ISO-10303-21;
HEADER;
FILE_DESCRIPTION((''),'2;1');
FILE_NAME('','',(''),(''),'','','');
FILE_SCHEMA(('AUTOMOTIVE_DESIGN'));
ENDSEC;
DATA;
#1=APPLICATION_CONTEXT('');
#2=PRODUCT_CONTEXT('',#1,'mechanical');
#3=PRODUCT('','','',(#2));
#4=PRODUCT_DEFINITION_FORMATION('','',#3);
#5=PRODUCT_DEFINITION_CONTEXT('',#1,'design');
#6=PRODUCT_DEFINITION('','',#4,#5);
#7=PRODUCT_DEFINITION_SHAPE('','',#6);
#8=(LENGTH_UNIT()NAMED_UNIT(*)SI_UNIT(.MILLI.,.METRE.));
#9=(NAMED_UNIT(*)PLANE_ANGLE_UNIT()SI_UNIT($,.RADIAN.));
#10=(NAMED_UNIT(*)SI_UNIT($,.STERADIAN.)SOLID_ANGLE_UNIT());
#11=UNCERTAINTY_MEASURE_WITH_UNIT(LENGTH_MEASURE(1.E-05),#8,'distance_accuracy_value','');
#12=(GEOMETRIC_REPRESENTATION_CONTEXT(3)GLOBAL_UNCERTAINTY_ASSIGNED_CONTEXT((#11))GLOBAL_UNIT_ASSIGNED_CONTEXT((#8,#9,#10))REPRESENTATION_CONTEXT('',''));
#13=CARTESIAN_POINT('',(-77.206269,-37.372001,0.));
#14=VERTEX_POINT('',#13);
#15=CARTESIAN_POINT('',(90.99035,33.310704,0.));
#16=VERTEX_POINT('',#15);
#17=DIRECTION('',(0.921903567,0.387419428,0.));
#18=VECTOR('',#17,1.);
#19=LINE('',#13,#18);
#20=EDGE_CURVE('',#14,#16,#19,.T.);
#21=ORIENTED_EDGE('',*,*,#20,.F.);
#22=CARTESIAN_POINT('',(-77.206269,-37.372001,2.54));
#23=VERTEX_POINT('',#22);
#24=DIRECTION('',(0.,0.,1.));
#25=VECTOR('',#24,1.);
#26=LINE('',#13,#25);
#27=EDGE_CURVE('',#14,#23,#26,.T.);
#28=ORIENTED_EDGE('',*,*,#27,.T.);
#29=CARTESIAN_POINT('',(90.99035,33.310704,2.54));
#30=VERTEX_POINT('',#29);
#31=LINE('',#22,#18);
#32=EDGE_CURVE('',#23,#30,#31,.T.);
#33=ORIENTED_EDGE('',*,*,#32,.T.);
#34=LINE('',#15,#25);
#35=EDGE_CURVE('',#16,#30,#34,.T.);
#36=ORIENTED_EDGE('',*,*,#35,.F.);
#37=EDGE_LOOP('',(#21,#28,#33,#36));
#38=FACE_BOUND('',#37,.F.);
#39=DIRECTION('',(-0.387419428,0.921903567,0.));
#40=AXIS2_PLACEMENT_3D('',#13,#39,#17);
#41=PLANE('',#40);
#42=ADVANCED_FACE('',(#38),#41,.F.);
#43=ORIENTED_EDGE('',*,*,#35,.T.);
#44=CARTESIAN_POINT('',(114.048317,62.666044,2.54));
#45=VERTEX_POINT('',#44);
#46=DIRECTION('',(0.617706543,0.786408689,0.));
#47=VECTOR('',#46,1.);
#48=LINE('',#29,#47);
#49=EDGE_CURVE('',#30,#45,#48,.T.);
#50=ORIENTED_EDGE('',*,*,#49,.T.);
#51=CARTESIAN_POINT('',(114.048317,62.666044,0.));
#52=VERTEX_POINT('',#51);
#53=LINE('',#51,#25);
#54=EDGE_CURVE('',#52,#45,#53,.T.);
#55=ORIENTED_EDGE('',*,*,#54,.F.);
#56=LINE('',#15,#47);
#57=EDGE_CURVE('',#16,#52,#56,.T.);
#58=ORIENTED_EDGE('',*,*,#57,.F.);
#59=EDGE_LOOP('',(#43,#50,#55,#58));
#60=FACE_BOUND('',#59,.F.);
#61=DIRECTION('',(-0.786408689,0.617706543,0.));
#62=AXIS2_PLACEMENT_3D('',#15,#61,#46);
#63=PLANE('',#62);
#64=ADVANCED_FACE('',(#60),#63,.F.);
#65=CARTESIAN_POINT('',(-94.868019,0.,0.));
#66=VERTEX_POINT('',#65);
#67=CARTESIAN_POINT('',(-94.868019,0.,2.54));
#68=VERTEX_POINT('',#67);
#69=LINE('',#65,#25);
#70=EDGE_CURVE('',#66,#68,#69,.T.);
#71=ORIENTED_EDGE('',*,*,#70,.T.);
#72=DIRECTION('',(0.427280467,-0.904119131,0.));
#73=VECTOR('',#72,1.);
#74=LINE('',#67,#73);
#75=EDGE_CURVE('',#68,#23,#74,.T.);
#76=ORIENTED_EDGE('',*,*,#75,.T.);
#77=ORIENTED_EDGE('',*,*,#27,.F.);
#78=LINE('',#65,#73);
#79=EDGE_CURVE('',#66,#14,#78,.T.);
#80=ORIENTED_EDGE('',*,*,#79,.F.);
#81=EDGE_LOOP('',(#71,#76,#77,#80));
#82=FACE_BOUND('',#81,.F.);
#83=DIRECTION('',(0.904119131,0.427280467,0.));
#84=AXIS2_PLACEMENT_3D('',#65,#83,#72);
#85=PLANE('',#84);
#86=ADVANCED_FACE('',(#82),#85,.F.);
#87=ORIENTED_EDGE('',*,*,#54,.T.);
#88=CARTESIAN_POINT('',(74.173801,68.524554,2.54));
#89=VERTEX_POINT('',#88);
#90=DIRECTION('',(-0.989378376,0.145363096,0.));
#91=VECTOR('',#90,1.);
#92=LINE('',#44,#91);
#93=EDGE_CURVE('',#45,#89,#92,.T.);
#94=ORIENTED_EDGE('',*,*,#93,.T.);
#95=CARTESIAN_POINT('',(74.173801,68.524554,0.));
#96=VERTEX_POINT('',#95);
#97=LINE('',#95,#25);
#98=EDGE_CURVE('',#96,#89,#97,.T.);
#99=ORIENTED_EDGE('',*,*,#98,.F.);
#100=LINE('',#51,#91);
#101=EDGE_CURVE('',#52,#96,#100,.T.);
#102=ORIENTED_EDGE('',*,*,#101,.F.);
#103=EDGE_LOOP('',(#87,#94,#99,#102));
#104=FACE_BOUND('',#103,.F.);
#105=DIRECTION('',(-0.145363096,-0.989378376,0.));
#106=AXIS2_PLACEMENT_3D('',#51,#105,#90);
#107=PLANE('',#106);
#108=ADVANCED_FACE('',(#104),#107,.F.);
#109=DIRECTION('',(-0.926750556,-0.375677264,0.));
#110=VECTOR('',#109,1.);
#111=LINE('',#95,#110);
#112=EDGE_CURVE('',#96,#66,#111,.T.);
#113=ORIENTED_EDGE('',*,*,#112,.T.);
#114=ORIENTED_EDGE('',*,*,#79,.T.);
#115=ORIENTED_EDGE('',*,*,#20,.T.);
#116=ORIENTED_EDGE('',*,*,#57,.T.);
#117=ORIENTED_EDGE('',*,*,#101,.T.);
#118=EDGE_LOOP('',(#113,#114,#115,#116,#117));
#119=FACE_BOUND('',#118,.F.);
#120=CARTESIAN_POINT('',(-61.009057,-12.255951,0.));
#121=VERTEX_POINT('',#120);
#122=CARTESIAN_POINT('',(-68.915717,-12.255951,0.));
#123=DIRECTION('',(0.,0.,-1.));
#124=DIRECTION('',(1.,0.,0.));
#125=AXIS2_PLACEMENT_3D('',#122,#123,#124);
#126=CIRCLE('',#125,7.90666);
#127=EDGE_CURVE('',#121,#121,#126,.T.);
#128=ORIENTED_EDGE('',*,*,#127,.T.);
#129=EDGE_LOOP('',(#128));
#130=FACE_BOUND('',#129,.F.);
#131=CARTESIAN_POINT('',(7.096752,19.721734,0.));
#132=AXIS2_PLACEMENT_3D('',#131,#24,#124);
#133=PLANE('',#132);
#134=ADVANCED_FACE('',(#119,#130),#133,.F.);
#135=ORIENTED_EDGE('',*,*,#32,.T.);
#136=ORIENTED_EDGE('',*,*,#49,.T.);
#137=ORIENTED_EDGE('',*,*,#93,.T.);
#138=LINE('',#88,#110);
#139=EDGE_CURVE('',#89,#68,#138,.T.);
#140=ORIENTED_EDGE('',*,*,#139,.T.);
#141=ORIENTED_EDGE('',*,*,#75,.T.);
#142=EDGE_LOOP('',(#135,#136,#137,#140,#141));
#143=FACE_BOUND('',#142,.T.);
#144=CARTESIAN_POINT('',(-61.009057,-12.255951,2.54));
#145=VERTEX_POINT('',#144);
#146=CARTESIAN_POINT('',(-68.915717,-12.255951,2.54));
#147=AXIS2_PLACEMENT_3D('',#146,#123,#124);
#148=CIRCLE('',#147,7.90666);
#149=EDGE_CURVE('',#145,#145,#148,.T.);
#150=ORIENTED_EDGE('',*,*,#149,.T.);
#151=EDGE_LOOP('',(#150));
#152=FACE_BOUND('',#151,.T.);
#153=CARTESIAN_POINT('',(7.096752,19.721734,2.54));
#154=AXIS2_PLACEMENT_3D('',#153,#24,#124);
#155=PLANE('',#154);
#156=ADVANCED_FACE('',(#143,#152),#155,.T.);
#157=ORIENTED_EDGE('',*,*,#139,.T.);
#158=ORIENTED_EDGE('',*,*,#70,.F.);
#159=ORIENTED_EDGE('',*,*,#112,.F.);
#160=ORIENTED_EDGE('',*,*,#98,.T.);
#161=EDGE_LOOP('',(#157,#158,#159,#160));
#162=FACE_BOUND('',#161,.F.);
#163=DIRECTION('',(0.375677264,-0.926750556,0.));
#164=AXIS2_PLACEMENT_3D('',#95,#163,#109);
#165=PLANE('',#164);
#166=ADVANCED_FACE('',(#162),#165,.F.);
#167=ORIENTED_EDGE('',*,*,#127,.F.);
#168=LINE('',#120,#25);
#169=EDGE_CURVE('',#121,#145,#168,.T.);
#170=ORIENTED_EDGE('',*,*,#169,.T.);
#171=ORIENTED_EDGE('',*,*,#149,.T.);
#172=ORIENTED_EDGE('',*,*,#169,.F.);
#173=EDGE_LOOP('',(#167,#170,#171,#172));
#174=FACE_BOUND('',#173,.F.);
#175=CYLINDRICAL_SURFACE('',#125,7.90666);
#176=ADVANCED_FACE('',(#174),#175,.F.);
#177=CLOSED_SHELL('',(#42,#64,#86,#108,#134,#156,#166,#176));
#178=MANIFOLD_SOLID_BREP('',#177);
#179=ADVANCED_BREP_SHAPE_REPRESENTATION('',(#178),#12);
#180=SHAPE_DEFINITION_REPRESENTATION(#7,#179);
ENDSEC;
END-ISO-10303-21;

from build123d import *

# Parameters (mm, degrees)
F1_DEPTH = 2.54
F2_R     = 7.90666
F3_DEPTH = 185.42


with BuildPart() as f1:
    # F0 (on Top) → F1 (new body)
    with BuildSketch(Plane.XY):
        Polygon((-94.868019, 0), (-77.206269, -37.372001), (90.99035, 33.310704), (114.048317, 62.666044), (74.173801, 68.524554), align=None)
    extrude(amount=F1_DEPTH)

    # F2 (on face) → F3 (cut)
    with BuildSketch(Plane(origin=(0, 0, 0), x_dir=(1, 0, 0), z_dir=(0, 0, -1))):
        with Locations((-68.915717, 12.255951)):
            Circle(F2_R)
    extrude(amount=-F3_DEPTH, mode=Mode.SUBTRACT)


solid = f1.part
